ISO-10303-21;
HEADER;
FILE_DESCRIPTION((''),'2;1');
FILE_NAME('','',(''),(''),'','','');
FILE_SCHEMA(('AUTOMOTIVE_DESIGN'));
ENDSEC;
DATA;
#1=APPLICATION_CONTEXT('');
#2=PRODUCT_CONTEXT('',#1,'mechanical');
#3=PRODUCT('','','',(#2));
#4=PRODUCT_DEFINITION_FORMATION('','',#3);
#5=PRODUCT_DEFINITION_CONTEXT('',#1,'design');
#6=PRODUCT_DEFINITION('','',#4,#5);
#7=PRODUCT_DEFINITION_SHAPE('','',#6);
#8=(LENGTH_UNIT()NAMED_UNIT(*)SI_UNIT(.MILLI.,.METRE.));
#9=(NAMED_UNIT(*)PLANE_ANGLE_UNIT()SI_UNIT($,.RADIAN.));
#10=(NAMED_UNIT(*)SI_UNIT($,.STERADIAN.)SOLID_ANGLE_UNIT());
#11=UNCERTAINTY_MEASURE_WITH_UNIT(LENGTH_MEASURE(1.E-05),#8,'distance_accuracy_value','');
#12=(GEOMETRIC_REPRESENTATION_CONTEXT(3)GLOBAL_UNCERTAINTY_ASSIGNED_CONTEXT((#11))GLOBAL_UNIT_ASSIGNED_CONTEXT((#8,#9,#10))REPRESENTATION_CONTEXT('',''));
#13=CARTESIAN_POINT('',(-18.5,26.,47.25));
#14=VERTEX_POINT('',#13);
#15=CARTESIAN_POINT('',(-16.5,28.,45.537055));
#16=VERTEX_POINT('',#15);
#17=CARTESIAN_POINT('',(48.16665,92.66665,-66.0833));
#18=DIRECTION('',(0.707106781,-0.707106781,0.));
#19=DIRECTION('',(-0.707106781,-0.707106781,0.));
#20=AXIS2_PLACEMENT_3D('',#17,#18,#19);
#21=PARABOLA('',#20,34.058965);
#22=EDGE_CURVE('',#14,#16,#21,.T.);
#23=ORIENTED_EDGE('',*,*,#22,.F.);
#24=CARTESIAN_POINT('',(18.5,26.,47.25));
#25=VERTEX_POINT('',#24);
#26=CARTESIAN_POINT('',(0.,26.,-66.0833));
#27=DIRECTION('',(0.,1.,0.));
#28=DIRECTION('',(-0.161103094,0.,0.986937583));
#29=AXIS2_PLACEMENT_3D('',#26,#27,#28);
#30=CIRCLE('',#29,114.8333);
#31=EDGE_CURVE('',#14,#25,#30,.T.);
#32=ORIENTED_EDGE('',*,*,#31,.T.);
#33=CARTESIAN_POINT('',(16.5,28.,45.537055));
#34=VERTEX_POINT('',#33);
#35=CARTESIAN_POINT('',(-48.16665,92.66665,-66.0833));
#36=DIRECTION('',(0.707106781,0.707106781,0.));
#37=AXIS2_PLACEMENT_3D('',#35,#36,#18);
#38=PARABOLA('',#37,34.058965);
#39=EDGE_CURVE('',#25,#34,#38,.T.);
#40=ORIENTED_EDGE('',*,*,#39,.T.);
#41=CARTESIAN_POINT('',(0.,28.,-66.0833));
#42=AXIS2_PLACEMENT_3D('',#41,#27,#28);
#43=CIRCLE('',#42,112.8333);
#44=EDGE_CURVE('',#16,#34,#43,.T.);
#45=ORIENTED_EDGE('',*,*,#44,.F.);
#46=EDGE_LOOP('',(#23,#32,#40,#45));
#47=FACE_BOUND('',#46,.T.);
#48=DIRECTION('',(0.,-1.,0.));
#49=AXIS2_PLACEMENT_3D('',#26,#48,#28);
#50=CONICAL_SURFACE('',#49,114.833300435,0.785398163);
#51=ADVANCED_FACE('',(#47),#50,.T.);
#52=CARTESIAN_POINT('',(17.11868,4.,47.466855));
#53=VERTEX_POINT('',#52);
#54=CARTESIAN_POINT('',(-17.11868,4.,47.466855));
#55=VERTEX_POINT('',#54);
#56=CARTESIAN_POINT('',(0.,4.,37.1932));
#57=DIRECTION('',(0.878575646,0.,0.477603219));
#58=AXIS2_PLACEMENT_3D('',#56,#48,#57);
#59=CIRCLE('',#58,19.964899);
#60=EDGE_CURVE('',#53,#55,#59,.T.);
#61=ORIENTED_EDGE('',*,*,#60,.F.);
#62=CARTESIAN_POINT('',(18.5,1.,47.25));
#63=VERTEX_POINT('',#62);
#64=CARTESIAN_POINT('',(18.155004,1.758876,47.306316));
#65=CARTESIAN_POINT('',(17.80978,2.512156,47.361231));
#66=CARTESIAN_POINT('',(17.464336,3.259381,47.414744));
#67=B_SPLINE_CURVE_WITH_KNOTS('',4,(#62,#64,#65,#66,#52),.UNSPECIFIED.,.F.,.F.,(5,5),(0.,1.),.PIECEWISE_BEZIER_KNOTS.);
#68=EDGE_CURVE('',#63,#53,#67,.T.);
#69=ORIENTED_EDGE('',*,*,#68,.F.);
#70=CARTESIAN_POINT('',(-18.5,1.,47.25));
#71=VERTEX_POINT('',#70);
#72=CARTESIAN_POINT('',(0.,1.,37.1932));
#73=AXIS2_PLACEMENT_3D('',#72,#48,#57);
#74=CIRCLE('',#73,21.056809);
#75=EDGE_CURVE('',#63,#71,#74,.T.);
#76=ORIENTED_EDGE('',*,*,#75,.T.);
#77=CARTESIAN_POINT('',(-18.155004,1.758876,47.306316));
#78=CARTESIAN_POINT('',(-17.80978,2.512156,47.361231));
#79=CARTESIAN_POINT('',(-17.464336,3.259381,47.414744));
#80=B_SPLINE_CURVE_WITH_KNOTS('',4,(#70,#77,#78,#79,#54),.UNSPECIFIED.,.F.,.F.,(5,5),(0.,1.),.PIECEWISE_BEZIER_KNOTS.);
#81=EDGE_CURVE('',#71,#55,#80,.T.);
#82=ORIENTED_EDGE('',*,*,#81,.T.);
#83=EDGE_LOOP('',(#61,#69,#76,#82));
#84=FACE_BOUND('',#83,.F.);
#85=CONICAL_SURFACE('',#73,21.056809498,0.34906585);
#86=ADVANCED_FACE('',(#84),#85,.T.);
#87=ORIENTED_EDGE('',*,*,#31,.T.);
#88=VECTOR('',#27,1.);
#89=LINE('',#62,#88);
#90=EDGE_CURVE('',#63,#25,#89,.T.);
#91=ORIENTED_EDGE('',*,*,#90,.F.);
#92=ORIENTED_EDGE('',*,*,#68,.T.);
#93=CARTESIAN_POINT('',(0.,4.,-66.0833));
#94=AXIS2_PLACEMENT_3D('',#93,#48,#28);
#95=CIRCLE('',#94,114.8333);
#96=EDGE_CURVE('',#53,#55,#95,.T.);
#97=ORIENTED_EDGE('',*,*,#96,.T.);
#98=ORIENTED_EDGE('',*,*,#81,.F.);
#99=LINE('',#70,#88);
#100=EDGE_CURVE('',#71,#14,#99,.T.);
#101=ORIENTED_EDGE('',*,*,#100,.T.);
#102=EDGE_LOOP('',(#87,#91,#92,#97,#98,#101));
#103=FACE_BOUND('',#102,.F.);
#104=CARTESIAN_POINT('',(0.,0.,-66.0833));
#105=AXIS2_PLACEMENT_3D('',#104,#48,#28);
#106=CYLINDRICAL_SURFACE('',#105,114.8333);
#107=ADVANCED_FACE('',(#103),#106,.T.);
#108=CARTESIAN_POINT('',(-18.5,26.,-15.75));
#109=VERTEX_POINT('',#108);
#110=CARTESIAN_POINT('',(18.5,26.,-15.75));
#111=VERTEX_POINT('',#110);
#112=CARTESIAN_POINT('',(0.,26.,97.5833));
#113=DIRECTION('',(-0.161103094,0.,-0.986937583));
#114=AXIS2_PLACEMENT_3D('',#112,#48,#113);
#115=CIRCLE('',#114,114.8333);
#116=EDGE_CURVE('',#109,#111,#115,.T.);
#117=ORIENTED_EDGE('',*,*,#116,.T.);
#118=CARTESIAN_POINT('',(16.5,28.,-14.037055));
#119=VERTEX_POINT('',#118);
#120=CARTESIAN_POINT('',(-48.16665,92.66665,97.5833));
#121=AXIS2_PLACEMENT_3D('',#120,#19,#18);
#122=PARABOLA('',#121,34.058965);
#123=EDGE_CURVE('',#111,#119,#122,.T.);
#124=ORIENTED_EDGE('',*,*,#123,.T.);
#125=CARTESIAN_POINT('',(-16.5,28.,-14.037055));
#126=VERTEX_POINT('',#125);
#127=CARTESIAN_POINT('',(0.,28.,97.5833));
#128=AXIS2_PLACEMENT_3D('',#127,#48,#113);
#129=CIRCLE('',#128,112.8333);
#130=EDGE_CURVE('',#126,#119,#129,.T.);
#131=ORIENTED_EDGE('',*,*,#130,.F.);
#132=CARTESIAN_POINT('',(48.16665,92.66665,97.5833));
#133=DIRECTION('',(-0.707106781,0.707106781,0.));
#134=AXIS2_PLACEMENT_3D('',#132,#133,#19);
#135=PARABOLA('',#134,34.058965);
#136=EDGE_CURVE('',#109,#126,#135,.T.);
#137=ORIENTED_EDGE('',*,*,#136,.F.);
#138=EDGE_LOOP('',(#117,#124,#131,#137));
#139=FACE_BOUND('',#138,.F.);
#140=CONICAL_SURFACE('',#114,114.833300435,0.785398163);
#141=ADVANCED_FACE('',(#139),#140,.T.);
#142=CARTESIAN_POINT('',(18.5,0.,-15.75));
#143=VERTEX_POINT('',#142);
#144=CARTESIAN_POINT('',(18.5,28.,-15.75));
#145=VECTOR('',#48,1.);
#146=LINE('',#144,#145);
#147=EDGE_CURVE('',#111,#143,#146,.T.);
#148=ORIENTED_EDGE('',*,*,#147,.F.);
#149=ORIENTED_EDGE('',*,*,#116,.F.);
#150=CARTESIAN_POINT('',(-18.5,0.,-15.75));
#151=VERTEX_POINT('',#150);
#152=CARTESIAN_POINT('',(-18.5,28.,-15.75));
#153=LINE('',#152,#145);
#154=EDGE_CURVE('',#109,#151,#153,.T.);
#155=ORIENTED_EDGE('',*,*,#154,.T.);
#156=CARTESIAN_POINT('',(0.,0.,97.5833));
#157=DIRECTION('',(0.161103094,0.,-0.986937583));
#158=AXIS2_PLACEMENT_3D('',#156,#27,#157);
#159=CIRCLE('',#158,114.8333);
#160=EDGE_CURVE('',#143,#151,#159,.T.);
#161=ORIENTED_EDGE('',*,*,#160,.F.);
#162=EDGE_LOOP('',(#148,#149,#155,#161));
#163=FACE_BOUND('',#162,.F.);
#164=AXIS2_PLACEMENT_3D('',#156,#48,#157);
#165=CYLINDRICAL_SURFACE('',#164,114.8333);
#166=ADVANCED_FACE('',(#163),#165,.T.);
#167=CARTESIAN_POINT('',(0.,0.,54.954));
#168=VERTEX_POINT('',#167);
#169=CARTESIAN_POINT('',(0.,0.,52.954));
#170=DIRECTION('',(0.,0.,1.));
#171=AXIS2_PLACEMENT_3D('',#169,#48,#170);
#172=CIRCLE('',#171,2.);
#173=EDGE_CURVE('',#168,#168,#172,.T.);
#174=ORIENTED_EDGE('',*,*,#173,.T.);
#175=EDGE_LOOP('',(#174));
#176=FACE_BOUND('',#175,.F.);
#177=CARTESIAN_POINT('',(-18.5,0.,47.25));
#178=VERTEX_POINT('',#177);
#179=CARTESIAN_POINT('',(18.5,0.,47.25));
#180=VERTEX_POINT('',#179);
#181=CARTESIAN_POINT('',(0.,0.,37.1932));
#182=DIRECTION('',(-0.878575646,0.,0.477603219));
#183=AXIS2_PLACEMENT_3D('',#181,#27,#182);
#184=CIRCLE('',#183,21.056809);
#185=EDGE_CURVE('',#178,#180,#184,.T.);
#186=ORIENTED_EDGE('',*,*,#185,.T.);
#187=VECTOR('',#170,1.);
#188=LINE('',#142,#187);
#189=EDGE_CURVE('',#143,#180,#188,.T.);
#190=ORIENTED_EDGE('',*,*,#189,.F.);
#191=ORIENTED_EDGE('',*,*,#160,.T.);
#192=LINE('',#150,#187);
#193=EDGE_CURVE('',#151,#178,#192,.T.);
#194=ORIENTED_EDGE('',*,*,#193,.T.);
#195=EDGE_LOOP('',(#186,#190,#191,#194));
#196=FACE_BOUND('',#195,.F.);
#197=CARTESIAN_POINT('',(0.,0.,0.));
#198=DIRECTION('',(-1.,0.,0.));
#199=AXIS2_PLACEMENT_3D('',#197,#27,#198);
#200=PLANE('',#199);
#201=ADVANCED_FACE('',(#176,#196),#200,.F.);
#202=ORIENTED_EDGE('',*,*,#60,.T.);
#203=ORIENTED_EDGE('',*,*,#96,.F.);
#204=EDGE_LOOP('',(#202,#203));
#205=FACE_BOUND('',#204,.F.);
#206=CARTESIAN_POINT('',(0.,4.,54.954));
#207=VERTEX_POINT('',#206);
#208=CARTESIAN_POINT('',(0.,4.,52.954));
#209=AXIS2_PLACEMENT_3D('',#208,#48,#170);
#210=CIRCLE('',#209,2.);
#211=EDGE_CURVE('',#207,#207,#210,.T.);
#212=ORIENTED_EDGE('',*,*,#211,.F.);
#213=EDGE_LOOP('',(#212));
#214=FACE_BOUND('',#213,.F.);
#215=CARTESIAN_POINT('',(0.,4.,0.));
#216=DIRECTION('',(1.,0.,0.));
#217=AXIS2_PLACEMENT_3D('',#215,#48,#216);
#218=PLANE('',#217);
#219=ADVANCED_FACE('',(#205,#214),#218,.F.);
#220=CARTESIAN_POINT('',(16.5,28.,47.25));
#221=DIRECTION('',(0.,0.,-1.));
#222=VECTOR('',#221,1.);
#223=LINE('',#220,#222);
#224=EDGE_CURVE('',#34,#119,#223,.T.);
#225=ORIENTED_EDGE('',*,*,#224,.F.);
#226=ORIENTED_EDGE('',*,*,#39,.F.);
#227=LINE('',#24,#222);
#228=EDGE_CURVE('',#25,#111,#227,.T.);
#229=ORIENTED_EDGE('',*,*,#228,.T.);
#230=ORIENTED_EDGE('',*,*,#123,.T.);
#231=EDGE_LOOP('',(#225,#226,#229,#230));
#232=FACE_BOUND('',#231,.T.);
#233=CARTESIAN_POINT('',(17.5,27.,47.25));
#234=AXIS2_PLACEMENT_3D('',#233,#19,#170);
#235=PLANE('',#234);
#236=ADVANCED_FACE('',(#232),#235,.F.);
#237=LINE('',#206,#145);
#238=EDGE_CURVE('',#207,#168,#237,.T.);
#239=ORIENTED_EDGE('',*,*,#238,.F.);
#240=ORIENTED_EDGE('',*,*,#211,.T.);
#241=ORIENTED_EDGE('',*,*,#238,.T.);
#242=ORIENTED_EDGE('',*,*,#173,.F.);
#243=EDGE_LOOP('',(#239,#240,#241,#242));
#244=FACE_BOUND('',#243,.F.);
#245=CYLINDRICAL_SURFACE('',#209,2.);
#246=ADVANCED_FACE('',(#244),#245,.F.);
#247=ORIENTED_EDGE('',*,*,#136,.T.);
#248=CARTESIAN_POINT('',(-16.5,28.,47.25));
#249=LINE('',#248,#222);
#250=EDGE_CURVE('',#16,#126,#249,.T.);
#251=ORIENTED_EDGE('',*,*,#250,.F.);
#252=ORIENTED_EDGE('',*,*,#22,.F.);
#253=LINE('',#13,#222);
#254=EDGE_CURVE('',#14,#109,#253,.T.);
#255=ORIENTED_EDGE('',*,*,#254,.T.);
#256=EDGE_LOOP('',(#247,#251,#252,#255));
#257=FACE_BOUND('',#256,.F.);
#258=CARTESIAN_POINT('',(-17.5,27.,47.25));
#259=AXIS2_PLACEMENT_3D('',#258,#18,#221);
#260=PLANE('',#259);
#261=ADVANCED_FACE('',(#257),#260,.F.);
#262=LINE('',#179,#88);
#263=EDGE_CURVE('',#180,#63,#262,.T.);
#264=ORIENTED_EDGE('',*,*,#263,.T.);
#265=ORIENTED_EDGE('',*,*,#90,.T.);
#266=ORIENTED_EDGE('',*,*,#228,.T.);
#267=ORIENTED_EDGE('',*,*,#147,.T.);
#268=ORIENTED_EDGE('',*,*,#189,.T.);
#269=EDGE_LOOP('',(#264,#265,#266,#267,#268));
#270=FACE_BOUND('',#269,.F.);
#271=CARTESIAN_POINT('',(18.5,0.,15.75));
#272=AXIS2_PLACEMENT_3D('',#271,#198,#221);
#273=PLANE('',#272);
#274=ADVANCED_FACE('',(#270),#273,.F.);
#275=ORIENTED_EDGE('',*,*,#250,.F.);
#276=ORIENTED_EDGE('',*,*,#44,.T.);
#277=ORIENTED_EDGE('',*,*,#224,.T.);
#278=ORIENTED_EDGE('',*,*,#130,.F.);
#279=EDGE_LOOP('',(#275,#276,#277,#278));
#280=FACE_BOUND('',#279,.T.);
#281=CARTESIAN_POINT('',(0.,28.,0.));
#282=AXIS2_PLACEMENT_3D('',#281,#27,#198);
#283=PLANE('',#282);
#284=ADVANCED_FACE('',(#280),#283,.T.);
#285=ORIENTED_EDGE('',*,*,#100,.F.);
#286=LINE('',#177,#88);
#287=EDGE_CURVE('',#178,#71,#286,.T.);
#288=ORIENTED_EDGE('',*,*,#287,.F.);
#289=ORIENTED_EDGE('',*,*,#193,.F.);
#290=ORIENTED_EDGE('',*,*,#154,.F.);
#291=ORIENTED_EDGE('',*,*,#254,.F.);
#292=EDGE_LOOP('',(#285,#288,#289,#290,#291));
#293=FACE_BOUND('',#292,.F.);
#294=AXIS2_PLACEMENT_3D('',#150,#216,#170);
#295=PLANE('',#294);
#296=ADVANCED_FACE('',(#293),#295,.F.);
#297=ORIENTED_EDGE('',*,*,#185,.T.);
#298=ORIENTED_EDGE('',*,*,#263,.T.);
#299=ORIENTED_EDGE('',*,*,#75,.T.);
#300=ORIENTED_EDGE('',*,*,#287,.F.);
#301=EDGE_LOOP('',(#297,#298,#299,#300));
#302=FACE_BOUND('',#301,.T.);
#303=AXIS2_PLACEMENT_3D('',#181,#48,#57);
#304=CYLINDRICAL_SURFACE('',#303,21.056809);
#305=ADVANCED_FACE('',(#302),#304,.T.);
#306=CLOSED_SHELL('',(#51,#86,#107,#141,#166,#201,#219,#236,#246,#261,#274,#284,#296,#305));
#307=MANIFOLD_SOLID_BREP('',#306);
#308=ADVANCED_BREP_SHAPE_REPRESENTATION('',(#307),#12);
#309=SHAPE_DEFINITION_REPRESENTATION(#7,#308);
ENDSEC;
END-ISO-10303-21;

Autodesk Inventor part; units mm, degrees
ref_plane "YZ Plane" through (0, 0, 0) normal (1, 0, 0) x (0, 1, 0)
ref_plane "XZ Plane" through (0, 0, 0) normal (0, 1, 0) x (-1, 0, 0)
ref_plane "XY Plane" through (0, 0, 0) normal (0, 0, 1) x (1, 0, 0)
sketch "Sketch1" plane through (0, 0, 0) normal (0, 1, 0) x (-1, 0, 0)
  line L0 (18.5, 15.75) -> (-18.5, 15.75)
  line L1 (-18.5, 15.75) -> (-18.5, -15.75)
  line L2 (-18.5, -15.75) -> (18.5, -15.75)
  line L3 (18.5, -15.75) -> (18.5, 15.75)
  line L4 (18.5, 15.75) -> (-18.5, -15.75) construction
  line L5 (-18.5, 15.75) -> (18.5, -15.75) construction
  line L6 (0, -15.75) -> (0, -17.25)
  arc A0 (-18.5, -15.75) -> (18.5, -15.75) centre (0, 97.5833) ccw
  line L7 (-18.5, 15.75) -> (-18.5, 47.25)
  line L8 (-18.5, 47.25) -> (18.5, 47.25)
  line L9 (18.5, 47.25) -> (18.5, 15.75)
  line L10 (18.5, 15.75) -> (-18.5, 47.25) construction
  line L11 (-18.5, 15.75) -> (18.5, 47.25) construction
  line L12 (0, 47.25) -> (0, 48.75)
  arc A1 (18.5, 47.25) -> (-18.5, 47.25) centre (0, -66.0833) ccw
  point P0 (0, 0)
  point P1 (0, 31.5)
  dimension "d5" = 37
  dimension "d6" = 31.5
  dimension "d7" = 1.5
extrude "Extrusion1" add sketch "Sketch1" along normal blind 28
sketch "Sketch2" plane through (0, 0, 0) normal (0, -1, 0) x (1, 0, 0)
  arc A0 (-18.5, -15.75) -> (18.5, -15.75) centre (0, 97.5833) ccw projected
  line L0 (18.5, 47.25) -> (18.5, -15.75) projected
  line L1 (-18.5, -15.75) -> (-18.5, 47.25) projected
  line L2 (0, -17.25) -> (0, 58.25)
  arc A1 (18.5, 47.25) -> (-18.5, 47.25) centre (0, 37.1932) ccw
  point P0 (0, 0)
  dimension "d10" = 75.5
extrude "Extrusion2" add sketch "Sketch2" against normal blind 4
chamfer "Chamfer1" distance 2 angle 45 4 edges at (-18.5, 28, 15.75) (0, 28, 48.75) (0, 28, -17.25) (18.5, 28, 15.75)
chamfer "Chamfer2" distance 3 angle 20 1 edges at (0, 4, 58.25) measured on face at (13.1668, 2.6667, 53.6257)
sketch "Sketch3" plane through (0, 4, 0) normal (0, 1, 0) x (1, 0, 0)
  arc A0 (-17.1187, -47.4669) -> (17.1187, -47.4669) centre (0, -37.1932) ccw projected
  arc A1 (-17.1187, -47.4669) -> (17.1187, -47.4669) centre (0, 66.0833) ccw projected
  line L0 (0, -52.954) -> (0, -48.75)
  line L1 (0, -57.1581) -> (0, -52.954)
  point P0 (0, 0)
hole "Hole1" at (0, 4, 52.954) direction (0, -1, 0) diameter 4 end through all
properties part number "12v_psu"
